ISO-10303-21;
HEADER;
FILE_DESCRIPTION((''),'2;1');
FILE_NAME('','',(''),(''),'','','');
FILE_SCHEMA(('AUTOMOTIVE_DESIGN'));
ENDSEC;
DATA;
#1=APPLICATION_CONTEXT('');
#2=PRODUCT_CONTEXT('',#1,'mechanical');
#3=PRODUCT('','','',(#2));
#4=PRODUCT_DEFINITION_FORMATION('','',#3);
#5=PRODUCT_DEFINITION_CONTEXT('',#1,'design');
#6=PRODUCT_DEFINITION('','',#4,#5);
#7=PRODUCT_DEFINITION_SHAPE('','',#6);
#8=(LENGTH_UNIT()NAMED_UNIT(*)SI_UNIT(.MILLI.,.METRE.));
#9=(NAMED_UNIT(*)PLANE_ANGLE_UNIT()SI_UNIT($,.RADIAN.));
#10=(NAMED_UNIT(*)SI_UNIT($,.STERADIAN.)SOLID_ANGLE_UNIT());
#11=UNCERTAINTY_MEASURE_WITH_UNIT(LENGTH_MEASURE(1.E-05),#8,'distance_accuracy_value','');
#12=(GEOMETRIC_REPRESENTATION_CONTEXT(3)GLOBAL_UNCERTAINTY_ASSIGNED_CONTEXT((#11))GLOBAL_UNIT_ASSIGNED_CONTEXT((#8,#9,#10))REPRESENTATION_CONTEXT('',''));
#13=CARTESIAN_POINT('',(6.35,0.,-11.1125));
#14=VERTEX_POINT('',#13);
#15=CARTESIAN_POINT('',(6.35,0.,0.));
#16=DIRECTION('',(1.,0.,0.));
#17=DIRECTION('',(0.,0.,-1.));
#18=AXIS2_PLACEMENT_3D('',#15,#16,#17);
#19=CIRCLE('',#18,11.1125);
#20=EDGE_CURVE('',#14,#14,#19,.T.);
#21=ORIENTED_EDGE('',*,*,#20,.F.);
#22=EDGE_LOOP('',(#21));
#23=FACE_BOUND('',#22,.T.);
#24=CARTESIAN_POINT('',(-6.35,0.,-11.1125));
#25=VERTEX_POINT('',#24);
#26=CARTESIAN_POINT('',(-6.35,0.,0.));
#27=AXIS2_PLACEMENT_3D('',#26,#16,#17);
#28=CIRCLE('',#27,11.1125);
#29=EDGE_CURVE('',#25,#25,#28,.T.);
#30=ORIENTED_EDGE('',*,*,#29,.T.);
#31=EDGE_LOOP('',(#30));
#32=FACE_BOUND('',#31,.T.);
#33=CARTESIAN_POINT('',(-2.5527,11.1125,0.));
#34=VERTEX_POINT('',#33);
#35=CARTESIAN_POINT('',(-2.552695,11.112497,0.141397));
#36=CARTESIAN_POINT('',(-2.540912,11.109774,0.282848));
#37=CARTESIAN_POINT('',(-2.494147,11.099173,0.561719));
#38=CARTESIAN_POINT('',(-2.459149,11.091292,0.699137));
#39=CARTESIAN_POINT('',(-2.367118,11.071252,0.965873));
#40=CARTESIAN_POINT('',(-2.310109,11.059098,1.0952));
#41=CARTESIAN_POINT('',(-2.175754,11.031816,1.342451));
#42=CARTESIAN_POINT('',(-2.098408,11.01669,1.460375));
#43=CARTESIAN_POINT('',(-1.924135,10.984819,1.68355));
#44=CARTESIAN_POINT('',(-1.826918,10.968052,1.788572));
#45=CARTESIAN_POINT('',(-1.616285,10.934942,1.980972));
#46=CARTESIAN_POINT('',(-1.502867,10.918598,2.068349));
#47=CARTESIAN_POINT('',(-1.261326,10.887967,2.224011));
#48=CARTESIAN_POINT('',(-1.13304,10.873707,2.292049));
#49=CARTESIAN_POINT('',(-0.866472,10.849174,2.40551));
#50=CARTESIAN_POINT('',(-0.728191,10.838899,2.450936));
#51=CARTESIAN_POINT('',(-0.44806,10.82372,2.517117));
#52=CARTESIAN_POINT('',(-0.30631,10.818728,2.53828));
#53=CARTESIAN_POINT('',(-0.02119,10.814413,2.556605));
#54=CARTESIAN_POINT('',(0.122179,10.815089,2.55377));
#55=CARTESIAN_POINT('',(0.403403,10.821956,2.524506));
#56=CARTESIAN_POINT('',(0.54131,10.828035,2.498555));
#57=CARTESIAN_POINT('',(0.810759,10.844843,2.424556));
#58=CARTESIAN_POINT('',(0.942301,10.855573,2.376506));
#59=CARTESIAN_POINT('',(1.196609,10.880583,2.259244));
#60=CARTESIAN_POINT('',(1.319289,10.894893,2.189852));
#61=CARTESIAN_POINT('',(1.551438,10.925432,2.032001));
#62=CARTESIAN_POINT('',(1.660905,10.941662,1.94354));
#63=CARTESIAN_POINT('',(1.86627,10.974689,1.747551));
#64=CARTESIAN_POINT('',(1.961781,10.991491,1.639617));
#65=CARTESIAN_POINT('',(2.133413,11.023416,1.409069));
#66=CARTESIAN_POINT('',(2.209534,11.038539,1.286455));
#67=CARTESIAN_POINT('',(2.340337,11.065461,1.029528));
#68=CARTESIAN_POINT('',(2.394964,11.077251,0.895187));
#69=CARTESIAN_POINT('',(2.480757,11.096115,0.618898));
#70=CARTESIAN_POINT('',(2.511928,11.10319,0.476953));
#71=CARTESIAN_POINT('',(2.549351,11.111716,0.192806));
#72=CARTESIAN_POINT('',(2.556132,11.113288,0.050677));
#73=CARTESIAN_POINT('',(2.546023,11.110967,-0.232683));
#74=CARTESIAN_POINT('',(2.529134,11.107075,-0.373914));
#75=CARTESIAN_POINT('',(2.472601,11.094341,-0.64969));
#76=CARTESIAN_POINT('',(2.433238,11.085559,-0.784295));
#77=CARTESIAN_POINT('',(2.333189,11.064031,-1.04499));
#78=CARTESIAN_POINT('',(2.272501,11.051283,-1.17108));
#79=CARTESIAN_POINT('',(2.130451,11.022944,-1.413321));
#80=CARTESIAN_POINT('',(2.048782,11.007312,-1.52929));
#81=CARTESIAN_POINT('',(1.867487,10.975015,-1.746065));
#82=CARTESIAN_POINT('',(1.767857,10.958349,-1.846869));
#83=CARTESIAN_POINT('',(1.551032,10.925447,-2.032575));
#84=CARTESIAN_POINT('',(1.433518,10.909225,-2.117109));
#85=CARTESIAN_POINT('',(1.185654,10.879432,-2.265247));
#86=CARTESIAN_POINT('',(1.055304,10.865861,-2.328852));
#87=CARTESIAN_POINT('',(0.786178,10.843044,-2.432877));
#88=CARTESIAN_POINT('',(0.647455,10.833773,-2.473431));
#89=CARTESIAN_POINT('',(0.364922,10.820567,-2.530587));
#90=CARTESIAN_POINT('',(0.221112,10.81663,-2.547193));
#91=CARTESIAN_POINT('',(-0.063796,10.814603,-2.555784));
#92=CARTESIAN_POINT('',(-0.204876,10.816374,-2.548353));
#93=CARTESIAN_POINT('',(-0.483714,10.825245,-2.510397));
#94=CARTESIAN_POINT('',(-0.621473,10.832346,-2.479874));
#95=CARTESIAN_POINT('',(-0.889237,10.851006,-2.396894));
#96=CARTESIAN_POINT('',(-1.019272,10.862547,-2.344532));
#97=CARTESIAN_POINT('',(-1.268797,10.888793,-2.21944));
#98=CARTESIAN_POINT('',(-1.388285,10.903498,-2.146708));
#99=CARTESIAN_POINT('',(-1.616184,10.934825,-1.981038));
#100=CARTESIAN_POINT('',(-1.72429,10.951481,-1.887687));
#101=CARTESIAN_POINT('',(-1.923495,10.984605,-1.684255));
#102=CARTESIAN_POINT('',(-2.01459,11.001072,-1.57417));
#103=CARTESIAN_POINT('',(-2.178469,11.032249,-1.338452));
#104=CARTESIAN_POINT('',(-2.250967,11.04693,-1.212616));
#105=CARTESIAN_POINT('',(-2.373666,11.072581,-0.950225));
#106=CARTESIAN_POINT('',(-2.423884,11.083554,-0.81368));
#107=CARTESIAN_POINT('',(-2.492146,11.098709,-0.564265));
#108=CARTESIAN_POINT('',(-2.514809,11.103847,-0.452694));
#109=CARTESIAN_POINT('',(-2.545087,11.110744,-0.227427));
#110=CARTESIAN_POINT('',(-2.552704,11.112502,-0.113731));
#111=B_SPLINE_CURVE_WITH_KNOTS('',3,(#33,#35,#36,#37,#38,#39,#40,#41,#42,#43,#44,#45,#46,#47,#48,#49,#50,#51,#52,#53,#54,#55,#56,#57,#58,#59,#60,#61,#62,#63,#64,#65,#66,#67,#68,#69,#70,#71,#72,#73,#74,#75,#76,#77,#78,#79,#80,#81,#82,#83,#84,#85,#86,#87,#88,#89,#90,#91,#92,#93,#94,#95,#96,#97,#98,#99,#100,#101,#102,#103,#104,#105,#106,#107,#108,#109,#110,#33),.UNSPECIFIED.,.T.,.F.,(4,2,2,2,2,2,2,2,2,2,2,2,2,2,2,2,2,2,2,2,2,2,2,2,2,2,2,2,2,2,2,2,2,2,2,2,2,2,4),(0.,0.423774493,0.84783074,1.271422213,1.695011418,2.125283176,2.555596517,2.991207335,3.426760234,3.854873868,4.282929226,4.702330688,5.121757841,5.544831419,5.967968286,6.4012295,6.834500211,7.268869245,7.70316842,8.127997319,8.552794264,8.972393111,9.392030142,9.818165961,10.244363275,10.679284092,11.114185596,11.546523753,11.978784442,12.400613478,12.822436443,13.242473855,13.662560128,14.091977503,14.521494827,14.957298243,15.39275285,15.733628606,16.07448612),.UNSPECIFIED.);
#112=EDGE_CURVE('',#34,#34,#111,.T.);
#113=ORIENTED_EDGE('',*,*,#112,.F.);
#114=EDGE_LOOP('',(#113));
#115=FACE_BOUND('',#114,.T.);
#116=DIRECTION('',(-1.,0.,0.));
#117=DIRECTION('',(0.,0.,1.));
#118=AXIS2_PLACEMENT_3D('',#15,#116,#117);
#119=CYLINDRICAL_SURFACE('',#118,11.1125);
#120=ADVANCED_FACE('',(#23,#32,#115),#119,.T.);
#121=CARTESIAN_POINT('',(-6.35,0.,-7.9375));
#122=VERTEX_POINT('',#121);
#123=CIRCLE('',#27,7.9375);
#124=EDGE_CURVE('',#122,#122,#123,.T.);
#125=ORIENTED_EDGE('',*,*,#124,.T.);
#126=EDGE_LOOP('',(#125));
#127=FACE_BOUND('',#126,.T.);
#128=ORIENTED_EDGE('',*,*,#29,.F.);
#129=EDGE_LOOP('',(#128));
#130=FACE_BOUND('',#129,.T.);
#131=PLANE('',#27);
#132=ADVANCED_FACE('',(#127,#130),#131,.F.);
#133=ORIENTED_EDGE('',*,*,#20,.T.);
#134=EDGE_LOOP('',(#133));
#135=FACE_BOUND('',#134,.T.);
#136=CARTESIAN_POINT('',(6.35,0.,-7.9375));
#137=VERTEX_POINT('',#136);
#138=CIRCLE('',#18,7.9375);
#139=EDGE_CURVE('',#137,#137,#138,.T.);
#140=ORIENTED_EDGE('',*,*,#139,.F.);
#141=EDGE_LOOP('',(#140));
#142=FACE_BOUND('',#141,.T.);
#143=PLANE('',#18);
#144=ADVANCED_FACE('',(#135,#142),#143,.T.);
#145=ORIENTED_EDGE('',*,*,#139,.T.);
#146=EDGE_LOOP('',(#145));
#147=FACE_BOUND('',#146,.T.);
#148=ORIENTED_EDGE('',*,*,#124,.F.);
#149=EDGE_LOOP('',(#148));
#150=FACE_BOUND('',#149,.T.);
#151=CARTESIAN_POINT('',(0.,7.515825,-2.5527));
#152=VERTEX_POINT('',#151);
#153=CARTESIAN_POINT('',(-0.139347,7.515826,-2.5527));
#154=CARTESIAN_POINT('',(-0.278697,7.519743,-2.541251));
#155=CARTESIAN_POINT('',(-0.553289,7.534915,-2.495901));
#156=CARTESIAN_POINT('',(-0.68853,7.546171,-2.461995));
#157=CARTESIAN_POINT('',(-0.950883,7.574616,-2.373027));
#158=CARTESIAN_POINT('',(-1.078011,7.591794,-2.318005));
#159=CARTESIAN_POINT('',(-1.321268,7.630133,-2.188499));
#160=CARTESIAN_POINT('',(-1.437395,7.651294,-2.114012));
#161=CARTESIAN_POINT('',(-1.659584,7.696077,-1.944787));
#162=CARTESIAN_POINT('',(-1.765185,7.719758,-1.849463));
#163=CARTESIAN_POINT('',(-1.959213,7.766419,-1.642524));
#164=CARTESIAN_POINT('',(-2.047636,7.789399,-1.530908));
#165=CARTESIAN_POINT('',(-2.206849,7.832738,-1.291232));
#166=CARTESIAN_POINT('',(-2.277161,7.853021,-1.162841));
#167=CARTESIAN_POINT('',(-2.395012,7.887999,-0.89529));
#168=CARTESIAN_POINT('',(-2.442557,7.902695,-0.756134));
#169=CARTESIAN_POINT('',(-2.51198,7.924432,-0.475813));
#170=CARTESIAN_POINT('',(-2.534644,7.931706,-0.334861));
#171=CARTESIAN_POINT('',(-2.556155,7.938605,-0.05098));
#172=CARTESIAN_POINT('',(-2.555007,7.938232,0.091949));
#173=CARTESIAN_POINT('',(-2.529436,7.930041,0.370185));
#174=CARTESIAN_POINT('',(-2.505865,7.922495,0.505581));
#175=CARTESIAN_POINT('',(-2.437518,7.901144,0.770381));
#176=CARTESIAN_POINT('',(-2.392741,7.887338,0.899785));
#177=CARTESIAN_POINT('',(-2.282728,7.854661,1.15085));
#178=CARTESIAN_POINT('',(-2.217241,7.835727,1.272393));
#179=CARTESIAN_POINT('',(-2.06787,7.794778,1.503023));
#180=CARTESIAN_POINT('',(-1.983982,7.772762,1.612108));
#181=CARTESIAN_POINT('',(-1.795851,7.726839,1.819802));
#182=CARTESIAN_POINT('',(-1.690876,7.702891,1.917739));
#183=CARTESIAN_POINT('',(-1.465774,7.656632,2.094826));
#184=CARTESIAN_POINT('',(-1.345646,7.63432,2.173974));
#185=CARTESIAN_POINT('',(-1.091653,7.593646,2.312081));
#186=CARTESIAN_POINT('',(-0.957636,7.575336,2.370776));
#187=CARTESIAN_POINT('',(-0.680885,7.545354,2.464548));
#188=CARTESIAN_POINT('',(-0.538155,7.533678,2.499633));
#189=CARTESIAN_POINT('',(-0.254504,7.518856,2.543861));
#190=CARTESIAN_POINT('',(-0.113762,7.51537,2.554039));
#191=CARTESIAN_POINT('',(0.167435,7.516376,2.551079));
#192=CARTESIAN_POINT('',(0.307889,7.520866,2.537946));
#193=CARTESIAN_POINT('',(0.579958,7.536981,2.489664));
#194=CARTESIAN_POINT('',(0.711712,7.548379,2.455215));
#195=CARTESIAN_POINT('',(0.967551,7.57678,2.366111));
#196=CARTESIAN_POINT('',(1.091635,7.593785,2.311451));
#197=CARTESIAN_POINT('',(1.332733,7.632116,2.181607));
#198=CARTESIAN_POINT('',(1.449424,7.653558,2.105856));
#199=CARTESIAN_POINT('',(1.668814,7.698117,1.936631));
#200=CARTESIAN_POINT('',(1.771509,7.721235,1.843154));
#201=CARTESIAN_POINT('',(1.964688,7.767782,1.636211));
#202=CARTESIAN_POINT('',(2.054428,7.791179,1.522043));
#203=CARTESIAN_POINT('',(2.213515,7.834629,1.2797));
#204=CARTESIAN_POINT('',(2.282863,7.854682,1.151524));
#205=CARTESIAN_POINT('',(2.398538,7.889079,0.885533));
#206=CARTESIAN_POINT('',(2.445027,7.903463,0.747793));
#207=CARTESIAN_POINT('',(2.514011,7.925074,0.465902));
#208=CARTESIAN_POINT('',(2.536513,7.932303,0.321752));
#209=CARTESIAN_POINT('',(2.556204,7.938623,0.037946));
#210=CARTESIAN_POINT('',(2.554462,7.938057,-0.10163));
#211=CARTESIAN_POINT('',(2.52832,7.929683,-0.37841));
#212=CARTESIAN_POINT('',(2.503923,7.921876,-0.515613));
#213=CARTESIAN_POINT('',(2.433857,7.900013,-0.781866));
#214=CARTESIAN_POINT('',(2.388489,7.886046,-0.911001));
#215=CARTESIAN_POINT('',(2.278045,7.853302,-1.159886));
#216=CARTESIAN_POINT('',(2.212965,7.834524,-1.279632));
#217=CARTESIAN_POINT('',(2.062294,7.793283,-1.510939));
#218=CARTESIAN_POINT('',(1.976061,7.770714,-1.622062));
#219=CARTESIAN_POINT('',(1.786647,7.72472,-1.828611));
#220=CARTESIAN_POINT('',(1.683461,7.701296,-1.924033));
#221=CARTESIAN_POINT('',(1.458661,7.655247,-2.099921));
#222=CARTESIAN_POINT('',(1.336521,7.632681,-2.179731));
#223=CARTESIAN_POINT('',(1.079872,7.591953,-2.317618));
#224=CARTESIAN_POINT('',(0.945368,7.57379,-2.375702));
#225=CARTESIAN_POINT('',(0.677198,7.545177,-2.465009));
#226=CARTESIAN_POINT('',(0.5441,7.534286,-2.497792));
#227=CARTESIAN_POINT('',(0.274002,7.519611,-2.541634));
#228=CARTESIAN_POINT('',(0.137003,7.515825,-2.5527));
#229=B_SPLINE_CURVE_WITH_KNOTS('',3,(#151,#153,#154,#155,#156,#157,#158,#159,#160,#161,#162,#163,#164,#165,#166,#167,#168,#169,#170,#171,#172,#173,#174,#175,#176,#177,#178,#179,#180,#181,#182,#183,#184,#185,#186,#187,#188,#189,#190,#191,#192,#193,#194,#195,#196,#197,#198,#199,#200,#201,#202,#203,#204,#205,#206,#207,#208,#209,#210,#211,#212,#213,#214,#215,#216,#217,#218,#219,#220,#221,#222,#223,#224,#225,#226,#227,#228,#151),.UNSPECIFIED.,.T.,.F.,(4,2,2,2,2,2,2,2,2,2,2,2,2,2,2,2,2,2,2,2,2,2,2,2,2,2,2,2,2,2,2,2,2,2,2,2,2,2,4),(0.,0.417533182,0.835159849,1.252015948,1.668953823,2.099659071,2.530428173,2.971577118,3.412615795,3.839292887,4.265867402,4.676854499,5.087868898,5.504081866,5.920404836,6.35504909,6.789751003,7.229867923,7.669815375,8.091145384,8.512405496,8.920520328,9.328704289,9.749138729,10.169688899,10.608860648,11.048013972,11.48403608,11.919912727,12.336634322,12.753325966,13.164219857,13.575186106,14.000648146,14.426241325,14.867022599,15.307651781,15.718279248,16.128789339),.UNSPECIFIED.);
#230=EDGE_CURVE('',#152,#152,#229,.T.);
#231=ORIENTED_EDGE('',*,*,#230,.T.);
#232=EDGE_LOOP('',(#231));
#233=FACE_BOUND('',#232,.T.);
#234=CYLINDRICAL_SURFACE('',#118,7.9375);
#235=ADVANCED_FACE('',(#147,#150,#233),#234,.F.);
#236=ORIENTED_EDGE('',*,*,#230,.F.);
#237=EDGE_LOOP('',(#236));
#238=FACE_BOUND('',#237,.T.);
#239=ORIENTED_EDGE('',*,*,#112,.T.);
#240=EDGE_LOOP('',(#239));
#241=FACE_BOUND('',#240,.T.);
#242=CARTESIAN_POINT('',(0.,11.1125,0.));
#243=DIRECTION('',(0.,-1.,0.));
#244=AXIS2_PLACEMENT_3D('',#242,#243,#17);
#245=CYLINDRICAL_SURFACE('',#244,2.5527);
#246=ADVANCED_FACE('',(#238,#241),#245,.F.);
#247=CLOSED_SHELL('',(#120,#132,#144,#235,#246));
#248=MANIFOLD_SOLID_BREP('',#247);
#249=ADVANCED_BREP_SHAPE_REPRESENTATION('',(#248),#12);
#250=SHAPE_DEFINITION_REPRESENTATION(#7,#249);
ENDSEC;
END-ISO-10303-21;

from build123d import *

# Parameters (mm, degrees)
SKETCH1_R           = 11.1125
SKETCH1_R_2         = 7.9375
BOSS_EXTRUDE1_DEPTH = 6.35
SKETCH3_R           = 2.5527
CUT_EXTRUDE2_DEPTH  = 17.949861725


with BuildPart() as part:
    # Sketch1 → Boss-Extrude1 (new, symmetric)
    with BuildSketch(Plane(origin=(0, 0, 0), x_dir=(0, 0, -1), z_dir=(1, 0, 0))):
        Circle(SKETCH1_R)
        Circle(SKETCH1_R_2, mode=Mode.SUBTRACT)
    extrude(amount=BOSS_EXTRUDE1_DEPTH, both=True)

    # Sketch3 → Cut-Extrude2 (cut, through all)
    with BuildSketch(Plane(origin=(0, 0, 0), x_dir=(1, 0, 0), z_dir=(0, 1, 0))):
        with Locations(Location((0, 0, 0), (0, 0, 90))):
            Circle(SKETCH3_R)
    extrude(amount=CUT_EXTRUDE2_DEPTH, mode=Mode.SUBTRACT)


solid = part.part
